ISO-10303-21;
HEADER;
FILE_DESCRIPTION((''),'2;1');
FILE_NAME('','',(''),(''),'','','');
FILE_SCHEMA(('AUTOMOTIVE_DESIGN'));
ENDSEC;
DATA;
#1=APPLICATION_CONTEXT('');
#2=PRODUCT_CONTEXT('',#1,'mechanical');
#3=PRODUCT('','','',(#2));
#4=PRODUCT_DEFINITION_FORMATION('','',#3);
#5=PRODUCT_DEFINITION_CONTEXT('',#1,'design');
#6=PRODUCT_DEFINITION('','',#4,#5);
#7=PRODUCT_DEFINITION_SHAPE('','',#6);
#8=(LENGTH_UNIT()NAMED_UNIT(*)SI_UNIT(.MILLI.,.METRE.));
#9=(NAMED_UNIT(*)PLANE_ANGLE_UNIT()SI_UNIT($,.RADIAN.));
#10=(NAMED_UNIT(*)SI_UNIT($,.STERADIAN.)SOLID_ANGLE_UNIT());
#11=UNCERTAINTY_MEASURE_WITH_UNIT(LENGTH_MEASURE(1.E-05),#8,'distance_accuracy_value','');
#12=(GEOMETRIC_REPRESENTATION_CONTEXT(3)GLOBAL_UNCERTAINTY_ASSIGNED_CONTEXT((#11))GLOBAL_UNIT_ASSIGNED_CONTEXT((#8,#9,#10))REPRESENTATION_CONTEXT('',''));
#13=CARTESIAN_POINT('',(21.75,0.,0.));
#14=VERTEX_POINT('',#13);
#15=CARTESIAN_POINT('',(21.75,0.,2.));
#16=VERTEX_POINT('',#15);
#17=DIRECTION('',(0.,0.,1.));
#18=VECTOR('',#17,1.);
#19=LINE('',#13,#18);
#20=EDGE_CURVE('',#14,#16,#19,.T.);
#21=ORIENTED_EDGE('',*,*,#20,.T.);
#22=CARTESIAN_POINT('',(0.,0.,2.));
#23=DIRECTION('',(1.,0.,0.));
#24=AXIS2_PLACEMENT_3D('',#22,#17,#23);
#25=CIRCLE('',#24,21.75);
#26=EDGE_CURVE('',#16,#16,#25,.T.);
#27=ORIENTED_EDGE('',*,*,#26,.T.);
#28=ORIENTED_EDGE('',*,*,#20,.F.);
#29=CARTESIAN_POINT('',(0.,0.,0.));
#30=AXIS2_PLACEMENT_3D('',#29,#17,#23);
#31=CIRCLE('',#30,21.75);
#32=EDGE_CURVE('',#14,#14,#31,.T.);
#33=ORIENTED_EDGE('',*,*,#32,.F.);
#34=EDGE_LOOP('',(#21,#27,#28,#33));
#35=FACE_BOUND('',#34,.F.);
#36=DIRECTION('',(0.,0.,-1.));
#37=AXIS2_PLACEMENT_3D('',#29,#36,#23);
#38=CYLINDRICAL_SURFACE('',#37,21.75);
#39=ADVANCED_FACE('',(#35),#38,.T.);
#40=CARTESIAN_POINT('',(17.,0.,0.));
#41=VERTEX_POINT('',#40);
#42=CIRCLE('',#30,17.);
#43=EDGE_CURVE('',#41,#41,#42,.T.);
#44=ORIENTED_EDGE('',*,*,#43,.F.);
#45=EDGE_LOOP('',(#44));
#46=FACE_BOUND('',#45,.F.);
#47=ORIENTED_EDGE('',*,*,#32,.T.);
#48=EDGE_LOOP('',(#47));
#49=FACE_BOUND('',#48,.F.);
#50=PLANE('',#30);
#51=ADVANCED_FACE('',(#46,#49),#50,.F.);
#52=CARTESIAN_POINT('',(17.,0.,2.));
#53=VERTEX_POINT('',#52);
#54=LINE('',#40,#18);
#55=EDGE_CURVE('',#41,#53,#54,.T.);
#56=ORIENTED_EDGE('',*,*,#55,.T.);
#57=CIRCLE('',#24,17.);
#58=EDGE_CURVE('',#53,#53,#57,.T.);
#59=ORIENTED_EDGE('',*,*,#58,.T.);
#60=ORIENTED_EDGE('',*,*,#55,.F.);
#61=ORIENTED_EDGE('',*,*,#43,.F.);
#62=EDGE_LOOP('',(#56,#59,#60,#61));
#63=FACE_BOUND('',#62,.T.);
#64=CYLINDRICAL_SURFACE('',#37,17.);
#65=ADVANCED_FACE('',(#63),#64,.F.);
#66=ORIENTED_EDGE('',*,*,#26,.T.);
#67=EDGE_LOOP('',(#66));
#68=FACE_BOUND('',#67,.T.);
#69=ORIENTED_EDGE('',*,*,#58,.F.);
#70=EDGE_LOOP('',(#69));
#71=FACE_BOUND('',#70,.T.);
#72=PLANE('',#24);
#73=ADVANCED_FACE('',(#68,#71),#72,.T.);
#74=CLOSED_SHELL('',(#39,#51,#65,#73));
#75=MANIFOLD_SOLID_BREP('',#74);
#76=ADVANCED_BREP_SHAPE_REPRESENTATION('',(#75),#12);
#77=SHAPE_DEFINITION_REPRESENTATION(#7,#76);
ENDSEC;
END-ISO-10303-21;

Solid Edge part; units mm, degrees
sketch "Sketch1" plane through (0, 0, 0) normal (0, 0, 1) x (1, 0, 0)
  circle A0 centre (0, 0) radius 21.75
  circle A1 centre (0, 0) radius 17
extrude "Protrusion1" add sketch "Sketch1" along normal blind 2
properties material "Szilikon"
